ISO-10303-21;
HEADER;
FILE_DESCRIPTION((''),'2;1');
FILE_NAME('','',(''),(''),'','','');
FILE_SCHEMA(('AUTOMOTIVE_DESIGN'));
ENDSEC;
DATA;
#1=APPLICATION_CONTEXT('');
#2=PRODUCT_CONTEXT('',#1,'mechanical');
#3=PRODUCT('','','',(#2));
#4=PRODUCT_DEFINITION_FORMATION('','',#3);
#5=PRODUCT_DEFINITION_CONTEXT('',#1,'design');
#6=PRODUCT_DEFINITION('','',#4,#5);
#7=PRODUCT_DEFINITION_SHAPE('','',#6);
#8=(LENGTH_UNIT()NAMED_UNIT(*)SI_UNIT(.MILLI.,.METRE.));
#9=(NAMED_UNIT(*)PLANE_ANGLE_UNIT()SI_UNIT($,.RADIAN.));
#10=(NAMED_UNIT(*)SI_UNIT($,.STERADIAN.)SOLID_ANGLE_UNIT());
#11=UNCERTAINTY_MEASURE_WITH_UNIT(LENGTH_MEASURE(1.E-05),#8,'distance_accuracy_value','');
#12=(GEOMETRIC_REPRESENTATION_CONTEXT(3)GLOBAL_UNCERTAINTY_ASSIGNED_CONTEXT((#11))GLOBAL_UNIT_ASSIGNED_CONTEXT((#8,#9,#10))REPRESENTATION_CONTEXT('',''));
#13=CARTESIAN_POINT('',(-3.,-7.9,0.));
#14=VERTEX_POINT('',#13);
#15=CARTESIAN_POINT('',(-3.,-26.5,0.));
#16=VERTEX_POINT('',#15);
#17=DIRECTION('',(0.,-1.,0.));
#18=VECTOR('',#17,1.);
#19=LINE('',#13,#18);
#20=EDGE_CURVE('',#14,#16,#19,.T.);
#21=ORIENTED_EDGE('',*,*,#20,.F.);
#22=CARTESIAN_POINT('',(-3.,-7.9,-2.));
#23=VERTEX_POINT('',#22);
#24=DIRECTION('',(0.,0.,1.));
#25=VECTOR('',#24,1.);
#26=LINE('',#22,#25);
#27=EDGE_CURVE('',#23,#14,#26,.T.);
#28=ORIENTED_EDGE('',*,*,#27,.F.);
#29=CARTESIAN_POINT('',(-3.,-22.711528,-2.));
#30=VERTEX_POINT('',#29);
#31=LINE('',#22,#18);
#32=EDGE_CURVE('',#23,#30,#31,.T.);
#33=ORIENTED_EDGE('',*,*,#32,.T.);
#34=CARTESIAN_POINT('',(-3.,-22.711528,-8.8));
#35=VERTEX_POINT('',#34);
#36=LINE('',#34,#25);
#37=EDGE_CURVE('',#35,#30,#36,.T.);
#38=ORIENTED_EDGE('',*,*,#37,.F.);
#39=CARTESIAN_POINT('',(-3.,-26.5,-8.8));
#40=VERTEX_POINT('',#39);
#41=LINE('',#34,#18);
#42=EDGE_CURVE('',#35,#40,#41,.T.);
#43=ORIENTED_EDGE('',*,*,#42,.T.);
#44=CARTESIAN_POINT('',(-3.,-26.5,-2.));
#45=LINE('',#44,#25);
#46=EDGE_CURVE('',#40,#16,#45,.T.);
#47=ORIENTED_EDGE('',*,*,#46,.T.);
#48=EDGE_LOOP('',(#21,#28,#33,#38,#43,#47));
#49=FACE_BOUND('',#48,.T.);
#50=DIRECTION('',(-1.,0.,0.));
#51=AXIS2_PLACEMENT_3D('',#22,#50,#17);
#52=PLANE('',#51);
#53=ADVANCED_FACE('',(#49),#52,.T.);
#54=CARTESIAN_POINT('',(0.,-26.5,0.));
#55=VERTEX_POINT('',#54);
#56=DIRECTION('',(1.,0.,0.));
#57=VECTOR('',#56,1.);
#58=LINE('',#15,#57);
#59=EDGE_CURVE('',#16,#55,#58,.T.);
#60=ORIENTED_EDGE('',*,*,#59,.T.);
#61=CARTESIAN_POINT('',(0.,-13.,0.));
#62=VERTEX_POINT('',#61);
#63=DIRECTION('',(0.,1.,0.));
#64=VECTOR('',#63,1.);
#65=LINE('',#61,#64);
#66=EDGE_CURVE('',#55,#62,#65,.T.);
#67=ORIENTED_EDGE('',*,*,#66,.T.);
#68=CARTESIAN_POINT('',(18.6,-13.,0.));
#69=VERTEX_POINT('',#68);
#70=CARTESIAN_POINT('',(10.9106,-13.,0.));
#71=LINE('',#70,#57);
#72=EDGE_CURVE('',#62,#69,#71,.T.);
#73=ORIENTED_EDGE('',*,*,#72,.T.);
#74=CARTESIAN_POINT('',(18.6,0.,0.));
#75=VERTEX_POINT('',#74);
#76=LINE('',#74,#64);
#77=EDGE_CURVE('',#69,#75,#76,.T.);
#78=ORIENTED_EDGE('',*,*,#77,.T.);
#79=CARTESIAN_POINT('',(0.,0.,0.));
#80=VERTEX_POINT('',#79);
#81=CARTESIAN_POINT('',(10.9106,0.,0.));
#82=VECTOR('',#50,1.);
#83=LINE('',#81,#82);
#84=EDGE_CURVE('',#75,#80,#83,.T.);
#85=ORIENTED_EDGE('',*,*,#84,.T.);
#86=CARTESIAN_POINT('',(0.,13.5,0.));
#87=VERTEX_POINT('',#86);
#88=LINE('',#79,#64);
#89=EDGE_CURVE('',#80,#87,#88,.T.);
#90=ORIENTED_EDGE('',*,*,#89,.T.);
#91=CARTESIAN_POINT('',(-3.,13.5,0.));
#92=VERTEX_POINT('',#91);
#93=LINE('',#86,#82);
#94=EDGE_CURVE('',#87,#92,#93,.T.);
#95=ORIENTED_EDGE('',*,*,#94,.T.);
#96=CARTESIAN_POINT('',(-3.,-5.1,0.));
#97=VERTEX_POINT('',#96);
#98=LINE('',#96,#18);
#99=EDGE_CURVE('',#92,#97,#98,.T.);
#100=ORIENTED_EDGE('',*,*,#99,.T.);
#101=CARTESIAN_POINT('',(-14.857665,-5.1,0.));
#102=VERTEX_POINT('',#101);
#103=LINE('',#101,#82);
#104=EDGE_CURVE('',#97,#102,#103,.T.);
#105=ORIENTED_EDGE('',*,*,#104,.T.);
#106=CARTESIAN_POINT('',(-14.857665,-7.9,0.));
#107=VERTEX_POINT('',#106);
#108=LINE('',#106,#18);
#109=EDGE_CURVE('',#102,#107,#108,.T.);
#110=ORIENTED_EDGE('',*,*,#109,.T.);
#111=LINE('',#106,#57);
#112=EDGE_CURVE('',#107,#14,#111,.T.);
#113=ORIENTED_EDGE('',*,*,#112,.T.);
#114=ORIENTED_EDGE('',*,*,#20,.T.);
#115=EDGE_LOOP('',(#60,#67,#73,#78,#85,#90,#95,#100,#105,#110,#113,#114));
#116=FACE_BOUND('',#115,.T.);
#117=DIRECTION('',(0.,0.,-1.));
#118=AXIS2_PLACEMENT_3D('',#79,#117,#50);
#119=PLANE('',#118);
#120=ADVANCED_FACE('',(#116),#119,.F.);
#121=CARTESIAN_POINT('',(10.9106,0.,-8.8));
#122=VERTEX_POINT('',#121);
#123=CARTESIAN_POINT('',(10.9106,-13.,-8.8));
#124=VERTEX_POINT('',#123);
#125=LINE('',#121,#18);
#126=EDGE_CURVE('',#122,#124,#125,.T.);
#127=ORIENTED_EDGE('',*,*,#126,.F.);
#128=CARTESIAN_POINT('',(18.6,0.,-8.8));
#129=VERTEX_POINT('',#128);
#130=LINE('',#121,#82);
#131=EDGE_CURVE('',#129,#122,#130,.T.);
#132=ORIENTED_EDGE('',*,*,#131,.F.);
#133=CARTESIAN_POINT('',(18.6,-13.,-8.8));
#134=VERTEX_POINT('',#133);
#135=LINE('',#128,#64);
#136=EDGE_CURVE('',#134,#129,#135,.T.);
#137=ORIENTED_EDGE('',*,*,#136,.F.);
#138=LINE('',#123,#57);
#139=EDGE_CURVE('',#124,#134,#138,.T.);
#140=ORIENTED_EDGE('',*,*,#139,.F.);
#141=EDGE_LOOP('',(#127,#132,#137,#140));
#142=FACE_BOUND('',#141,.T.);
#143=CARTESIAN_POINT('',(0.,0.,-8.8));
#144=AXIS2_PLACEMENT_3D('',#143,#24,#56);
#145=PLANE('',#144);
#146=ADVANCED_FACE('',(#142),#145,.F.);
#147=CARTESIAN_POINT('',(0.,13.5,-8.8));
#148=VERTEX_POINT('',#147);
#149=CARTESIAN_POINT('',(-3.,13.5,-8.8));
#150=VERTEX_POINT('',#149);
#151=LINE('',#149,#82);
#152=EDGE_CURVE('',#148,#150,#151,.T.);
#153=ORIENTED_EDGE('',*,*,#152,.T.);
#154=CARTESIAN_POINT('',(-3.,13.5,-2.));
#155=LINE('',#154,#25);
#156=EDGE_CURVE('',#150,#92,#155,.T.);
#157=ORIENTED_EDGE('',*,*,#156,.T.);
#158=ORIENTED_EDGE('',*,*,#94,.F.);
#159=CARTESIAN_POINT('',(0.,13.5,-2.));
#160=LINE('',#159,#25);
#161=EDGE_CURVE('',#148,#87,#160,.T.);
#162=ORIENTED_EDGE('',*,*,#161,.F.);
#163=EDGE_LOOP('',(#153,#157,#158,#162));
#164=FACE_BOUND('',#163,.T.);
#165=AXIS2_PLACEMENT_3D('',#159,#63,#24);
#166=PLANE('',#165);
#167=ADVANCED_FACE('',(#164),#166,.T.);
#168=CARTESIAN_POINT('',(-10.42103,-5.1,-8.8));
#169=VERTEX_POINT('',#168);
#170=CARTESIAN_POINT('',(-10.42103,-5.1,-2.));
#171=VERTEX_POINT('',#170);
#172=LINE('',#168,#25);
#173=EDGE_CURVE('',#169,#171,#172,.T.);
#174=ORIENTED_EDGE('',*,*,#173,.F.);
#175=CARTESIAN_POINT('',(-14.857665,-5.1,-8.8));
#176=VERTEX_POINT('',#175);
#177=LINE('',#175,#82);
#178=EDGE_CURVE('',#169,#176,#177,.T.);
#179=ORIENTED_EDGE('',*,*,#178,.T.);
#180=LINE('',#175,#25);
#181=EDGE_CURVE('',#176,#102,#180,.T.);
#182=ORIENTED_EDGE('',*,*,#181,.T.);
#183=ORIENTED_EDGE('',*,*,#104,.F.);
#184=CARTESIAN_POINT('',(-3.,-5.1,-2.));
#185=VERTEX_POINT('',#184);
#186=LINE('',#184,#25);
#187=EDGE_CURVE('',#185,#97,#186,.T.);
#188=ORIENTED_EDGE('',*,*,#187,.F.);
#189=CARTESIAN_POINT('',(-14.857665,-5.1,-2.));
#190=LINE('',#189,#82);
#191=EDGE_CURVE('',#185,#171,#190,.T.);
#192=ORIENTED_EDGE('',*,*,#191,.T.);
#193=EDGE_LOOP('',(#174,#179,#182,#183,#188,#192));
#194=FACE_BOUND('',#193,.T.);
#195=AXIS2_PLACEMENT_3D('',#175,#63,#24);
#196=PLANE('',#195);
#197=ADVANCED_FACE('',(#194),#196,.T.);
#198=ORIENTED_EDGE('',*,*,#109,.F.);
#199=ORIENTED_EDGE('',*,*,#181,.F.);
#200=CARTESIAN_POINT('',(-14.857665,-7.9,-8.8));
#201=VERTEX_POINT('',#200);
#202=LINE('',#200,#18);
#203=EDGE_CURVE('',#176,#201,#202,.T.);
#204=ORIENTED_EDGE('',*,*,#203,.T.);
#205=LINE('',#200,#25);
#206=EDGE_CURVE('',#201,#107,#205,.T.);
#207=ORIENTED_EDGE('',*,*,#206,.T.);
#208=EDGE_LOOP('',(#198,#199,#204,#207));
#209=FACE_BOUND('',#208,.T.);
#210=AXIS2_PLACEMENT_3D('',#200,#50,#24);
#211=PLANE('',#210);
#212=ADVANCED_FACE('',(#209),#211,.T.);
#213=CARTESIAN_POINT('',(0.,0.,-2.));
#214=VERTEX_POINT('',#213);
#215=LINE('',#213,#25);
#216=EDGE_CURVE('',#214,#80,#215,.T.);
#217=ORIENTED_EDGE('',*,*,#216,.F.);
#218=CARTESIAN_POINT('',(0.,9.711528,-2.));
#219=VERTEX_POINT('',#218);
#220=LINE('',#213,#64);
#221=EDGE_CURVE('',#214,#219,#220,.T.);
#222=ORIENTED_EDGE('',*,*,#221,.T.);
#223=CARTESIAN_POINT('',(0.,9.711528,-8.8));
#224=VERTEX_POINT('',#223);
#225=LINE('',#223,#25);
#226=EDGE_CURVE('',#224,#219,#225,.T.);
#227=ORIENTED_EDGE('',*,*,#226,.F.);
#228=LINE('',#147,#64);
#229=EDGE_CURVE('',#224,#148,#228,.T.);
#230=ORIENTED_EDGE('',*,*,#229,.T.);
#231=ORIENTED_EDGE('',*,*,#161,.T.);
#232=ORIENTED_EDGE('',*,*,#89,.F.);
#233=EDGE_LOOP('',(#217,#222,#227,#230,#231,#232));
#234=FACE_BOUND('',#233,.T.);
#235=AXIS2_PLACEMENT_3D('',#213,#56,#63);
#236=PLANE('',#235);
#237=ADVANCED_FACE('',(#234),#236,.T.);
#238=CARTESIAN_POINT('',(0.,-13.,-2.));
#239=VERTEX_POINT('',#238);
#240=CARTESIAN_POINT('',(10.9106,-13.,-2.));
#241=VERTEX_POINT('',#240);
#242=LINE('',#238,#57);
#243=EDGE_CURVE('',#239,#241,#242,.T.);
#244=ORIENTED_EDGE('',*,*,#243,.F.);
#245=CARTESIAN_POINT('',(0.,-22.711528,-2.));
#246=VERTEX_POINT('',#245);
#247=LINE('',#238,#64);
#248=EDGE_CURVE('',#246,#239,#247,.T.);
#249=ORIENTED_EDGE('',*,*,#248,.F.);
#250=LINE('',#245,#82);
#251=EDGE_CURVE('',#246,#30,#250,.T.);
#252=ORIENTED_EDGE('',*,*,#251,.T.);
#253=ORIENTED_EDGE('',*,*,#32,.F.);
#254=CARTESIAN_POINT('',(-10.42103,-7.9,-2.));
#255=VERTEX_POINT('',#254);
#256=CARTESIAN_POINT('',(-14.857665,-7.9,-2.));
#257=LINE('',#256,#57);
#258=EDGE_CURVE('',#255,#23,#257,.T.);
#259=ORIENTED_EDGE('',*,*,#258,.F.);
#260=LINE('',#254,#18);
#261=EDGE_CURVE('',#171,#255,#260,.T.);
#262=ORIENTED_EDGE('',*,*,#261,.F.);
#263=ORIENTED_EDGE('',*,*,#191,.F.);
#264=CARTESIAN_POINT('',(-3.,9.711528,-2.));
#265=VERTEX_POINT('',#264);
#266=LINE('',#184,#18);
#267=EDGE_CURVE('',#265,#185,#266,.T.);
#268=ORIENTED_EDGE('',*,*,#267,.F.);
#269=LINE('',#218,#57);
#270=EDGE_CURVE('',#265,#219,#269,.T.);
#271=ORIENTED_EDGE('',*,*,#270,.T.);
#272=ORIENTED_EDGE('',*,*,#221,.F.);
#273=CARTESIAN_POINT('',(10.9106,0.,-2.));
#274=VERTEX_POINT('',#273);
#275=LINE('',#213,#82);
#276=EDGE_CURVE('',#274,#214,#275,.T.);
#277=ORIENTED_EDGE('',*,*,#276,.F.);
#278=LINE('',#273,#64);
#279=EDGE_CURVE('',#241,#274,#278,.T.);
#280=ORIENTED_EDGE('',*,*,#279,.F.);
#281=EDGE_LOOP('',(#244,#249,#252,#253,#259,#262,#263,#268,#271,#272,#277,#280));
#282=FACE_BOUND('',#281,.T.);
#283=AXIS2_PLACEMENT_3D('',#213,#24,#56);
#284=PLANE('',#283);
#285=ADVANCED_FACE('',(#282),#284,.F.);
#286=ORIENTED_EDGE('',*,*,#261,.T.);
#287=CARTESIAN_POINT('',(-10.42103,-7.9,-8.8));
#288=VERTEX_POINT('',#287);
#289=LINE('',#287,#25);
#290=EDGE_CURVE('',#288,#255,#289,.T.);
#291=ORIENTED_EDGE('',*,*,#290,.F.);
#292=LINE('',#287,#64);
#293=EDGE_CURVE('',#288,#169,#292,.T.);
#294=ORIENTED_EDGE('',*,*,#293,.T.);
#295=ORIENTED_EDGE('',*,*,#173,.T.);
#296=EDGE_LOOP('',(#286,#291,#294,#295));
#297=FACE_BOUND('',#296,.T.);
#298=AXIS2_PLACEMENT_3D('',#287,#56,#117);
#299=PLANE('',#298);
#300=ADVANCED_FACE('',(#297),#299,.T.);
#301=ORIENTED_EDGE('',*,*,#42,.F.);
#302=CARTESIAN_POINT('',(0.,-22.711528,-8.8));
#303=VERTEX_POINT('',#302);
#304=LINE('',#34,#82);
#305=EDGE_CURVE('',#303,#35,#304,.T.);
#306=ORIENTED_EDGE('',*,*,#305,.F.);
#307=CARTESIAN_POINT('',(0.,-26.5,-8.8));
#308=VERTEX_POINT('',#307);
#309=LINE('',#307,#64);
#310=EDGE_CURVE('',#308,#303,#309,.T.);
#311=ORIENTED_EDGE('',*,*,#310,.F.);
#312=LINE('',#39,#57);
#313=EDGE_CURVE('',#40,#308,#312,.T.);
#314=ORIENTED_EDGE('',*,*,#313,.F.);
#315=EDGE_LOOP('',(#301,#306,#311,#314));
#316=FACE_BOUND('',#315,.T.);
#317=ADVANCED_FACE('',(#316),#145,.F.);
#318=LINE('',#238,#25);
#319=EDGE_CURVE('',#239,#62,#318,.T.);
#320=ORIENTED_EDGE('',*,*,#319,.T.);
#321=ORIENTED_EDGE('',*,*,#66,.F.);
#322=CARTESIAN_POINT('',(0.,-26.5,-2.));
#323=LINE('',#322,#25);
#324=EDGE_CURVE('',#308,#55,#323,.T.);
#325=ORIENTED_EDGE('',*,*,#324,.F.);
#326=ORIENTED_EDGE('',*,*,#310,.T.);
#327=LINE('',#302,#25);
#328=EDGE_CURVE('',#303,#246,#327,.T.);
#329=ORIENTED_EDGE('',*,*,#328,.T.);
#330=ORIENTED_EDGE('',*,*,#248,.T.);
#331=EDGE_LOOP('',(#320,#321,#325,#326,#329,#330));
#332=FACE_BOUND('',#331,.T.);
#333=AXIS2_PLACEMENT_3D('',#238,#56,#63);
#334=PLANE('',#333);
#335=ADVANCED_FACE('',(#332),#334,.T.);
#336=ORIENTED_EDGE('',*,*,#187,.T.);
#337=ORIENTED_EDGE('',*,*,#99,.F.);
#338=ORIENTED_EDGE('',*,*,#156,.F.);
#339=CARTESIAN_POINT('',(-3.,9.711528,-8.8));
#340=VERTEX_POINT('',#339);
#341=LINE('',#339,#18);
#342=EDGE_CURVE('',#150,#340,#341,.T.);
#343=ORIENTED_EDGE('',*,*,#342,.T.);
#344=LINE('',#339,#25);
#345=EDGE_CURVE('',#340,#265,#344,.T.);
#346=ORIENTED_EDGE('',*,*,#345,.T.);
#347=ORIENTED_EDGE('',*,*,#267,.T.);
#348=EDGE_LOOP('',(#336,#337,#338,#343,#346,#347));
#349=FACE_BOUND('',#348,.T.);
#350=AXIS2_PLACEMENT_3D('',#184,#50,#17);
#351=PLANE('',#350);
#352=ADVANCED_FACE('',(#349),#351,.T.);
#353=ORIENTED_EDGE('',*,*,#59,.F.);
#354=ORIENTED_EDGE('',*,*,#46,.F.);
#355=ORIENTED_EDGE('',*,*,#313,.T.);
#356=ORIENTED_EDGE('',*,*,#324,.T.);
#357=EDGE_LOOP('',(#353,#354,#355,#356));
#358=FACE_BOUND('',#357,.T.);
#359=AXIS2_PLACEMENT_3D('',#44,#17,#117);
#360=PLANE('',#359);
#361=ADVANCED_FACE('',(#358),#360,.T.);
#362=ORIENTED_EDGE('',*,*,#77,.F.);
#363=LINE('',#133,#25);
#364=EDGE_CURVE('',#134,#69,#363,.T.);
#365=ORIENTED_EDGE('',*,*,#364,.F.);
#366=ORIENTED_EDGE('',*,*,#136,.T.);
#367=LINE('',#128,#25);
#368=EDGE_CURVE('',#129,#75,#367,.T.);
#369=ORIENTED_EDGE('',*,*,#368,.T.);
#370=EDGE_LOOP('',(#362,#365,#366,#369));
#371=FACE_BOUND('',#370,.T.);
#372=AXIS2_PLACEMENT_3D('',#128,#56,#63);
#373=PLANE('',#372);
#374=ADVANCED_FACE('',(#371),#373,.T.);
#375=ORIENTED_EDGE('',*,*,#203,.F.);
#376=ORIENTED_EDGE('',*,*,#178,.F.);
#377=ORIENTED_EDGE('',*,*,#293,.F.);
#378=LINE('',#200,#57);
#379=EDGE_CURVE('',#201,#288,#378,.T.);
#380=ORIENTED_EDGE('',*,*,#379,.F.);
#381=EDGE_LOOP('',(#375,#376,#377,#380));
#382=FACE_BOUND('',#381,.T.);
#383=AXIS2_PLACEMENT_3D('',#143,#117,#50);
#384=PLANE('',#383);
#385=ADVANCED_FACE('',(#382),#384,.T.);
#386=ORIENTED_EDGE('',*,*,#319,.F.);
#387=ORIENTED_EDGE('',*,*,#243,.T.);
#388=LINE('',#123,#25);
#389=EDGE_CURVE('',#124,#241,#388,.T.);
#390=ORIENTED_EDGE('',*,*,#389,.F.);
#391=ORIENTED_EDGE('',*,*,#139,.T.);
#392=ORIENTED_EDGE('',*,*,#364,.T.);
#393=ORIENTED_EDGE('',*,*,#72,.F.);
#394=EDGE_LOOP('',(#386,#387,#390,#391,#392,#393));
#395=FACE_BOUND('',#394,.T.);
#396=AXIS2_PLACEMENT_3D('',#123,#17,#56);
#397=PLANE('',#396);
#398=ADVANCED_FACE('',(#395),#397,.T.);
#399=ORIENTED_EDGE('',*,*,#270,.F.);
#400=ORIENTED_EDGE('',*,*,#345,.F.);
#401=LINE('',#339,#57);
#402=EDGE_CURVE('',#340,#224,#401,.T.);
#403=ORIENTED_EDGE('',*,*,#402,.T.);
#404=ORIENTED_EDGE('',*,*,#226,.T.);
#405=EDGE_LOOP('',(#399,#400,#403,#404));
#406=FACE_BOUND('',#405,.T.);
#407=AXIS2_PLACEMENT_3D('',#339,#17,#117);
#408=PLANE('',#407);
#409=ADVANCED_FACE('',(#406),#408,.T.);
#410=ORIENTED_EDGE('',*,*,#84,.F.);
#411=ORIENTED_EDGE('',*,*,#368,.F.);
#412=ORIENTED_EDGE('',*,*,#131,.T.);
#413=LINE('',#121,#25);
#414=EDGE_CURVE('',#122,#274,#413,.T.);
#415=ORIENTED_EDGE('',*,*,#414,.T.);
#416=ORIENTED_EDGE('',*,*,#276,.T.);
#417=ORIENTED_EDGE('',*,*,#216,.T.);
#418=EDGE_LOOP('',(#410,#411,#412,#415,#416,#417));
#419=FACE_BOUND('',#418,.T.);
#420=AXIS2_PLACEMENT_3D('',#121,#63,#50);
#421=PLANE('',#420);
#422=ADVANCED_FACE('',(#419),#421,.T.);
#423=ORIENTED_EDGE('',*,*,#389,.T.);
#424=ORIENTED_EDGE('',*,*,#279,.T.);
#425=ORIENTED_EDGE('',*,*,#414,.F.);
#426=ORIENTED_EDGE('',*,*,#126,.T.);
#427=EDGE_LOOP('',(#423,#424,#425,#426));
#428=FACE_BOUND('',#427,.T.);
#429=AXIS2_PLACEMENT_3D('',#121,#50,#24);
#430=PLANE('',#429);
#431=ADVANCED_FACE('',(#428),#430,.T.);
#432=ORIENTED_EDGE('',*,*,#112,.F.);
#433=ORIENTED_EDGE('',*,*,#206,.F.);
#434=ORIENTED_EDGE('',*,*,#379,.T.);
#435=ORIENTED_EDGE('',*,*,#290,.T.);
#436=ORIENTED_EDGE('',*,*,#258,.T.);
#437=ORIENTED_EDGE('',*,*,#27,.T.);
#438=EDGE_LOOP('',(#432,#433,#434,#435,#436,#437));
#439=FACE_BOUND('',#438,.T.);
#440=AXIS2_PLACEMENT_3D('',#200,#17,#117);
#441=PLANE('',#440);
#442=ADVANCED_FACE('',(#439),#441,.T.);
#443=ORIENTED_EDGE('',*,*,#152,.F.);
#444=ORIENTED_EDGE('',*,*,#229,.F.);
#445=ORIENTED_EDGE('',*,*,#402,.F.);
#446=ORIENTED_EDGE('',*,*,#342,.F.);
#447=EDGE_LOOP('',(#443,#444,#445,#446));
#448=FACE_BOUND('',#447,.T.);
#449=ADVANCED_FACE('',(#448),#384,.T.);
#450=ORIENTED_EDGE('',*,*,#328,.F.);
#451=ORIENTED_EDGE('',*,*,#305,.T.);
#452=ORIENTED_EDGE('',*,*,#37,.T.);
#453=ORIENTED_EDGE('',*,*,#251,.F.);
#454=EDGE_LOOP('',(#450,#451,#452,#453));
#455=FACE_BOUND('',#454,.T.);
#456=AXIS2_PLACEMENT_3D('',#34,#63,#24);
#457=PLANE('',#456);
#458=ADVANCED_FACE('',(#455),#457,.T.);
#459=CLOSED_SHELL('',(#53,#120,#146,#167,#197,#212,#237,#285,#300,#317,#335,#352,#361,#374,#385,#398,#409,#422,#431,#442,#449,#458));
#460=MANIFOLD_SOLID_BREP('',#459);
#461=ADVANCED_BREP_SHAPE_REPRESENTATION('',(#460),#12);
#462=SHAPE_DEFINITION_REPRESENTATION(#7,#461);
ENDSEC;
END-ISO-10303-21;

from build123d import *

# Parameters (mm, degrees)
SKETCH_1_W        = 4.436635541
SKETCH_1_H        = 2.8
EXTRUDE_1_DEPTH   = 8.8
SKETCH_1_W_2      = 7.689400099
SKETCH_1_H_2      = 13
EXTRUDE_1_2_DEPTH = 8.8
SKETCH_1_W_3      = 3
SKETCH_1_H_3      = 3.788471525
EXTRUDE_1_3_DEPTH = 8.8
EXTRUDE_1_4_DEPTH = 8.8
EXTRUDE_2_DEPTH   = 2


with BuildPart() as part:
    # ｽｹｯﾁ1 → ﾎﾞｽ - 押し出し1 (new body)
    with BuildSketch(Plane.XY):
        with Locations((-12.63934737, -6.5)):
            Rectangle(SKETCH_1_W, SKETCH_1_H)
    extrude(amount=-EXTRUDE_1_DEPTH)


with BuildPart() as body_2:
    # ｽｹｯﾁ1 → Extrude 1 2 (new body)
    with BuildSketch(Plane.XY):
        with Locations((14.755299951, -6.5)):
            Rectangle(SKETCH_1_W_2, SKETCH_1_H_2)
    extrude(amount=-EXTRUDE_1_2_DEPTH)



with BuildPart() as body_3:
    # ｽｹｯﾁ1 → Extrude 1 3 (new body)
    with BuildSketch(Plane.XY):
        with Locations((-1.5, 11.605764238)):
            Rectangle(SKETCH_1_W_3, SKETCH_1_H_3)
    extrude(amount=-EXTRUDE_1_3_DEPTH)


with BuildPart() as body_4:
    # ｽｹｯﾁ1 → Extrude 1 4 (new body)
    with BuildSketch(Plane.XY):
        with Locations((-1.5, -24.605764238)):
            Rectangle(SKETCH_1_W_3, SKETCH_1_H_3)
    extrude(amount=-EXTRUDE_1_4_DEPTH)


with BuildPart() as body_2_1:
    add(body_2.part)

    add(body_3.part)  # ﾎﾞｽ - 押し出し2 merges body 3

    add(body_4.part)  # ﾎﾞｽ - 押し出し2 merges body 4
    # ｽｹｯﾁ2 → ﾎﾞｽ - 押し出し2 (add)
    with BuildSketch(Plane.XY):
        Polygon((0, -13), (18.6, -13), (18.6, 0), (0, 0), (0, 13.5), (-3, 13.5), (-3, -5.1), (-14.85766514, -5.1), (-14.85766514, -7.9), (-3, -7.9), (-3, -26.5), (0, -26.5), align=None)
    extrude(amount=-EXTRUDE_2_DEPTH)


with BuildPart() as part_1:
    add(part.part)

    # Combine 1: union body 2
    add(body_2_1.part)


solid = part_1.part
